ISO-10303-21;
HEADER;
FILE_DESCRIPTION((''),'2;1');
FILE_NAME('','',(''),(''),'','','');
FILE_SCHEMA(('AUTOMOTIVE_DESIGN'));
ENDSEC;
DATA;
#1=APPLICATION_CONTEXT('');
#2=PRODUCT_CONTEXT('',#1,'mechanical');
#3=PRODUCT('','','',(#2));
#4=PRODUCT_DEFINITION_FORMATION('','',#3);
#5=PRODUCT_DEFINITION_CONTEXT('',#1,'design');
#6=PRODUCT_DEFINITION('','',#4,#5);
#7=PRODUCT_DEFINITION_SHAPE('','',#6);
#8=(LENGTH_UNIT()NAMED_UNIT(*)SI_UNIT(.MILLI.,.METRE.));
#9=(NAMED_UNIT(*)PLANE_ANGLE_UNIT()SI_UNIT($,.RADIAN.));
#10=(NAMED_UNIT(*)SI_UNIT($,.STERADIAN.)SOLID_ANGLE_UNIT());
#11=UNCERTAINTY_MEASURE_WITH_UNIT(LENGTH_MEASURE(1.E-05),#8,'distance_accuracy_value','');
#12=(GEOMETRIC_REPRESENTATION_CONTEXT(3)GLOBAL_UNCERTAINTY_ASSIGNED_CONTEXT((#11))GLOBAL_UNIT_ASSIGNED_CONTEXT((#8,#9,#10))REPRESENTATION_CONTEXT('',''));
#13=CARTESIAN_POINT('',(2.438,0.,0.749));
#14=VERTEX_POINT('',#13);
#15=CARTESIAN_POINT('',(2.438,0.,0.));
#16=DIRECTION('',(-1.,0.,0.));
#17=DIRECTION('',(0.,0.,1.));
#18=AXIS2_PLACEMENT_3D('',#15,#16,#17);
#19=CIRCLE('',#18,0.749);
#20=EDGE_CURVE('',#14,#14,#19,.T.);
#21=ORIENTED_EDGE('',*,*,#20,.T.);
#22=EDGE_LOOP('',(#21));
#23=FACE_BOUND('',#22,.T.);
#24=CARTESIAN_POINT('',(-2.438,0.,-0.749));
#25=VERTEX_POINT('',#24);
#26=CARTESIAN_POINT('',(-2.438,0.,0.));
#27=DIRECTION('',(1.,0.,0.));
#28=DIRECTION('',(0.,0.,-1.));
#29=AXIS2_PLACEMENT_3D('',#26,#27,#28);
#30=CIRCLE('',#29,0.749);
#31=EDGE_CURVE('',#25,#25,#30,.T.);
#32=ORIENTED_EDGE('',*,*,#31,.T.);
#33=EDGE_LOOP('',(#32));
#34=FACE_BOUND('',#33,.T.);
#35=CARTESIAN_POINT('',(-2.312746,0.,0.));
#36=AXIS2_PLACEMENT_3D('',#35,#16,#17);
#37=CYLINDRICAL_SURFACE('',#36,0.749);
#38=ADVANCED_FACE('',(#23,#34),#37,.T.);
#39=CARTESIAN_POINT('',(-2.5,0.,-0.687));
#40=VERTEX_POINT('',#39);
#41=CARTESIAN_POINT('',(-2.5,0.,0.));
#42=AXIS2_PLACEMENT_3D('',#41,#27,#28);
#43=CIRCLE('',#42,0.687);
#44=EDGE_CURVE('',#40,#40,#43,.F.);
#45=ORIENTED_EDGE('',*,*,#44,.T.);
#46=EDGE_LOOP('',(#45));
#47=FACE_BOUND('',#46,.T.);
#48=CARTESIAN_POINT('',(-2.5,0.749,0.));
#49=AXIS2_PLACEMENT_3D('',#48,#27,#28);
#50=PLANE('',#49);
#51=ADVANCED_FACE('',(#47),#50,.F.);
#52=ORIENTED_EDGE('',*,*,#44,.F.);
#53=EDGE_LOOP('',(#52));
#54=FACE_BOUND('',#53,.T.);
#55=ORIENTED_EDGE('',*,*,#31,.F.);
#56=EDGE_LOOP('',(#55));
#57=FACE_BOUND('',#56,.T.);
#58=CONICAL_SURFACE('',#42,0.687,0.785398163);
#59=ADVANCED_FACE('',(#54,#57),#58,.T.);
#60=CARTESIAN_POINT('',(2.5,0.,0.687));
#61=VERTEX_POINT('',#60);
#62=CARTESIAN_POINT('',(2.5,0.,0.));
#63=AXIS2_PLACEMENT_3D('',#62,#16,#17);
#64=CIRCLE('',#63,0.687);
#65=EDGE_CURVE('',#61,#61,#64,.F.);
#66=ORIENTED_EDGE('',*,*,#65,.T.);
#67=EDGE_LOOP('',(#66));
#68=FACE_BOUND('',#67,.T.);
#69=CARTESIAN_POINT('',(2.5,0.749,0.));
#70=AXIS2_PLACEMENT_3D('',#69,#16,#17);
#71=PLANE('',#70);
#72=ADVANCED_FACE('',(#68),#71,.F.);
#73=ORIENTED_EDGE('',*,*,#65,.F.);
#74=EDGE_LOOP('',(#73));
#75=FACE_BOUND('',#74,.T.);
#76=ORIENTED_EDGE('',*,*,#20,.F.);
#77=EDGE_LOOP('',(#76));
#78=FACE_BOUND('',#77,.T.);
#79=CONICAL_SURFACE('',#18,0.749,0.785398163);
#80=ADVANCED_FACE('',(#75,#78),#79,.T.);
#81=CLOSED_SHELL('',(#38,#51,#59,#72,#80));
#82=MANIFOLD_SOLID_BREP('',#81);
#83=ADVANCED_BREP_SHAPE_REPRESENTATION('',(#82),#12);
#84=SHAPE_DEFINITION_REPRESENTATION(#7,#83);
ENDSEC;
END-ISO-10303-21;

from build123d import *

# Parameters (mm, degrees)
SKETCH2_W     = 5
SKETCH2_H     = 0.749
CHAMFER1_SIZE = 0.062


with BuildPart() as part:
    # Sketch2 → Revolve1 (revolve)
    with BuildSketch(Plane.XY):
        with Locations((0, 0.3745)):
            Rectangle(SKETCH2_W, SKETCH2_H)
    revolve(axis=Axis((-2.312745811, 0, 0), (1, 0, 0)))

    # Chamfer1
    chamfer1_edges = [part.edges().sort_by_distance(p)[0] for p in [
        (-2.5, -0.749, 0),
        (2.5, -0.749, 0),
    ]]
    chamfer(chamfer1_edges, length=CHAMFER1_SIZE)


solid = part.part
